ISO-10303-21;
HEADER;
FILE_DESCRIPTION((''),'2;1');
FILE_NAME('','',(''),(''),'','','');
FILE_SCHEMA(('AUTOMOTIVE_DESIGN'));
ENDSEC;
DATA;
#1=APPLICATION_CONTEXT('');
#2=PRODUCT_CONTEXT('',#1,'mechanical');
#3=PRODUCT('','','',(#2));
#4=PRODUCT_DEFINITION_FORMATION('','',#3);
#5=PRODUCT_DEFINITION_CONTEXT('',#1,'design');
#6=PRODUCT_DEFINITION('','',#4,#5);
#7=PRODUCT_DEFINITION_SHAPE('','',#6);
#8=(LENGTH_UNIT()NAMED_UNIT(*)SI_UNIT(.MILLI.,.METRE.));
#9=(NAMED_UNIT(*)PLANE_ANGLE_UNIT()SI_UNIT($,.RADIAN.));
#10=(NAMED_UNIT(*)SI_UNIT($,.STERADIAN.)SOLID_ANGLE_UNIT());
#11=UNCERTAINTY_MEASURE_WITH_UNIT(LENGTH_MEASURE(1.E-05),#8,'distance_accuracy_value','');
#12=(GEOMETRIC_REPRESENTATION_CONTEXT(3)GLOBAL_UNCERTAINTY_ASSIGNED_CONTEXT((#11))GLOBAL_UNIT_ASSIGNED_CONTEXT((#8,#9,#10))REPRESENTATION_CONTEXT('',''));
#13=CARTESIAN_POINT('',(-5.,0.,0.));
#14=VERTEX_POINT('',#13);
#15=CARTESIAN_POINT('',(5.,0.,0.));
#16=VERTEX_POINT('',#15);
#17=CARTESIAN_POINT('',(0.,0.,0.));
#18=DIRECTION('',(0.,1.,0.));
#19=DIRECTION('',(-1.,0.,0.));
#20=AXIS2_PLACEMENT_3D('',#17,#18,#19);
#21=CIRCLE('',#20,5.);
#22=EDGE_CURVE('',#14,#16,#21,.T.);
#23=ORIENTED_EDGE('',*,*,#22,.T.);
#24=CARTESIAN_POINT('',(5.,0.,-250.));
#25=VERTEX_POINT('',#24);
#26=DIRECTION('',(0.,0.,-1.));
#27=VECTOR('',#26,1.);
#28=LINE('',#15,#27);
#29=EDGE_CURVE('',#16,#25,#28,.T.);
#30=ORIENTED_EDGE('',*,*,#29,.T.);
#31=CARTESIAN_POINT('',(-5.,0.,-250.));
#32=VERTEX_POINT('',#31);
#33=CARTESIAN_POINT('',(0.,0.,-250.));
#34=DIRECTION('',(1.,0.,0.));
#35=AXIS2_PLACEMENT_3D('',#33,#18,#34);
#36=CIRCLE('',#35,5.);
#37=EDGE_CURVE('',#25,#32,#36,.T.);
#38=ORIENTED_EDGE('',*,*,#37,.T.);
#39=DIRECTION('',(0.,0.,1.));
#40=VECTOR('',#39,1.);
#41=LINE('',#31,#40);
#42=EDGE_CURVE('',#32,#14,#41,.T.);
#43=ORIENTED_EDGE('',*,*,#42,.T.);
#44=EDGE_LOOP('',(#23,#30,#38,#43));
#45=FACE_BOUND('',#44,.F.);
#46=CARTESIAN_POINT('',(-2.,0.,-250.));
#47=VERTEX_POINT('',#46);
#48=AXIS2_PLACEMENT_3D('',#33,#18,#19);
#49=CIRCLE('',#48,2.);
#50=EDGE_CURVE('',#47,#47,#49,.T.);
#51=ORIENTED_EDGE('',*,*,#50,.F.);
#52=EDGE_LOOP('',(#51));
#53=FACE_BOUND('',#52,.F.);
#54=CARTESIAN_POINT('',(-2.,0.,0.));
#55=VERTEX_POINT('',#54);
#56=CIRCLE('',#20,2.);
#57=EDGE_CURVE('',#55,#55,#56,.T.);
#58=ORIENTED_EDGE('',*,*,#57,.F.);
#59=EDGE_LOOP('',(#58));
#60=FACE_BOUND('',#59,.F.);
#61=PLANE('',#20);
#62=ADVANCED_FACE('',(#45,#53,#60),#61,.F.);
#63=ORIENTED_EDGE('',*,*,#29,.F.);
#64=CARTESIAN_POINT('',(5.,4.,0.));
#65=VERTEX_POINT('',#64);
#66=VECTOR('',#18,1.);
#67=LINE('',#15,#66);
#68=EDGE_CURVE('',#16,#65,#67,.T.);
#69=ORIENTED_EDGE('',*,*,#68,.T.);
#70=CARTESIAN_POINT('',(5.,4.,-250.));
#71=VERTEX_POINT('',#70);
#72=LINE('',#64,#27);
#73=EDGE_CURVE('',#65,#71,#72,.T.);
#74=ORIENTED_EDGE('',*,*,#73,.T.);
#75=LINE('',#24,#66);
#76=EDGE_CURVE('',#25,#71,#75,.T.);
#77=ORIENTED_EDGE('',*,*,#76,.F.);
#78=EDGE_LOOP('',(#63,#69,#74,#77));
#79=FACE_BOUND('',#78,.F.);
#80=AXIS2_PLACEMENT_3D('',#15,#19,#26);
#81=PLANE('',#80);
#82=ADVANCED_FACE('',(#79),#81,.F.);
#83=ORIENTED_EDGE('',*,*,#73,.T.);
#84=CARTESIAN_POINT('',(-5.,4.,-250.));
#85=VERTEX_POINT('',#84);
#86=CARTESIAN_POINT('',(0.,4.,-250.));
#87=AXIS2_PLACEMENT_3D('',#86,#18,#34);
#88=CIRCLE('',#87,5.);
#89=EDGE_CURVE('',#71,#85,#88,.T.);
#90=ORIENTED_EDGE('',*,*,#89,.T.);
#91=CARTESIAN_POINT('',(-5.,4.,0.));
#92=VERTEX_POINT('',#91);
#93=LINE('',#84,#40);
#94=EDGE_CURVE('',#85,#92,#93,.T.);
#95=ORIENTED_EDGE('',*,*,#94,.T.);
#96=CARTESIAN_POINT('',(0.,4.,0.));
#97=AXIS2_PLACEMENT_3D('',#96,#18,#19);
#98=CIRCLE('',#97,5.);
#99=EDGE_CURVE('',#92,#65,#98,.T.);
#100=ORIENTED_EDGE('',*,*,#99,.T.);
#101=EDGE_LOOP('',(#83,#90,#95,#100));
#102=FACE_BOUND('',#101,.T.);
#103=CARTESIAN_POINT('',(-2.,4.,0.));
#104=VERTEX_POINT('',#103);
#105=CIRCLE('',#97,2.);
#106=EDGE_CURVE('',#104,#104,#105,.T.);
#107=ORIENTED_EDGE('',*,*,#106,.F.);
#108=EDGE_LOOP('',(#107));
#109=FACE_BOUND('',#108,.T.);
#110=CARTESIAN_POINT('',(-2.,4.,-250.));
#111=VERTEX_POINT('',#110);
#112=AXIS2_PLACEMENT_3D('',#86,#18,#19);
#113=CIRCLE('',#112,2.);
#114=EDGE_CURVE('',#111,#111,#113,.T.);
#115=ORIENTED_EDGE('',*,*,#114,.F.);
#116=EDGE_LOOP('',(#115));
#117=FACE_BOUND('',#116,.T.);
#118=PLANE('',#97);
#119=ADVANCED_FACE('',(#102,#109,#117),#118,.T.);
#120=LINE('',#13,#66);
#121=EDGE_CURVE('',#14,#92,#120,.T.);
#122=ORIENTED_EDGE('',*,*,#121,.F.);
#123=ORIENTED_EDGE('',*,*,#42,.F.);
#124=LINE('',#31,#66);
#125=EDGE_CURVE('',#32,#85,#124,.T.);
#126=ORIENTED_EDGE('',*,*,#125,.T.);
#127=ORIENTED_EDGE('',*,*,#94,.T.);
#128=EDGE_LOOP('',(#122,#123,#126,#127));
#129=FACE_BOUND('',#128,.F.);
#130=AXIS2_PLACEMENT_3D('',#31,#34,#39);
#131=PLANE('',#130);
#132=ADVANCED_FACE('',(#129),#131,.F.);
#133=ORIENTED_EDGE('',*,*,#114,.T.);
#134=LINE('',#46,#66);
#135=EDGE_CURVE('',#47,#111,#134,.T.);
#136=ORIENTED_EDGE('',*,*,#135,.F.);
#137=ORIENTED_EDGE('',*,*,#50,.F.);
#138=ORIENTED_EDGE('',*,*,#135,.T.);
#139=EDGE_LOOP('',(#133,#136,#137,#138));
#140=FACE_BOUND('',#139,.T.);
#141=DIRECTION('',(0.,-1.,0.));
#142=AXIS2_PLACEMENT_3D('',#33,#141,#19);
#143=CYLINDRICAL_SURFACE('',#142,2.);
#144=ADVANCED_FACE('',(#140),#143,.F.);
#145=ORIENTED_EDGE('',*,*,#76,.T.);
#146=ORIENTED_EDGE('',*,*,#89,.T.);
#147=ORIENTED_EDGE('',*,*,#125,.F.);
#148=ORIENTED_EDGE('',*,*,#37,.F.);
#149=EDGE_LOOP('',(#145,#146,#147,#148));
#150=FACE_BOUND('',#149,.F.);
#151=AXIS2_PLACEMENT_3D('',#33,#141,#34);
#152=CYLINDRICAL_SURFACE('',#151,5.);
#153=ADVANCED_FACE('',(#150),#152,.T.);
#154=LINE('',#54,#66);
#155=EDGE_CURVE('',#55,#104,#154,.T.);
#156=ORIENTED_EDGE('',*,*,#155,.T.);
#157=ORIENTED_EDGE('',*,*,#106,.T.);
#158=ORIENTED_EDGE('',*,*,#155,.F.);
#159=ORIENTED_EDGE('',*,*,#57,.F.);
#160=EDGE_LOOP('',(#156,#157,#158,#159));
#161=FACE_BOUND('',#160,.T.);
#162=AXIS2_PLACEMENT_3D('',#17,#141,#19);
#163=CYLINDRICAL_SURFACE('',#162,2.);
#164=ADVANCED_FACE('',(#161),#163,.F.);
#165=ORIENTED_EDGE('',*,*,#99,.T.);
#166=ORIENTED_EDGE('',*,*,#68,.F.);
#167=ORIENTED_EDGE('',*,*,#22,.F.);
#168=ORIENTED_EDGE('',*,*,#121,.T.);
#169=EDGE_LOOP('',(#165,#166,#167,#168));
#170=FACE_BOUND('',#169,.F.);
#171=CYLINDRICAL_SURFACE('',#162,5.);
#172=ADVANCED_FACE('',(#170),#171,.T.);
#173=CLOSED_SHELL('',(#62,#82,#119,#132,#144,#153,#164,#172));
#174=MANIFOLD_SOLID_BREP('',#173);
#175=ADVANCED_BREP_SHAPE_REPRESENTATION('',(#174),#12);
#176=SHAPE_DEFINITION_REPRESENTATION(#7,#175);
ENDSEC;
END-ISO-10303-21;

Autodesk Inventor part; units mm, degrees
ref_plane "XZ Plane" through (0, 0, 0) normal (0, 1, 0) x (-1, 0, 0)
ref_plane "XY Plane" through (0, 0, 0) normal (0, 0, 1) x (1, 0, 0)
sketch "Sketch1" plane through (0, 0, 0) normal (0, 1, 0) x (-1, 0, 0)
  line L0 (0, 0) -> (0, -250) construction
  line L1 (-5, 0) -> (-5, -250)
  line L2 (5, -250) -> (5, 0)
  arc A0 (5, 0) -> (-5, 0) centre (0, 0) ccw
  arc A1 (-5, -250) -> (5, -250) centre (0, -250) ccw
  circle A2 centre (0, 0) radius 2
  circle A3 centre (0, -250) radius 2
  point P0 (0, -125)
  dimension "d0" = 250
  dimension "d1" = 10
  dimension "d2" = 4
  dimension "d3" = 4
extrude "Extrusion1" add sketch "Sketch1" along normal blind 4
properties part number "Test_arm_2"
